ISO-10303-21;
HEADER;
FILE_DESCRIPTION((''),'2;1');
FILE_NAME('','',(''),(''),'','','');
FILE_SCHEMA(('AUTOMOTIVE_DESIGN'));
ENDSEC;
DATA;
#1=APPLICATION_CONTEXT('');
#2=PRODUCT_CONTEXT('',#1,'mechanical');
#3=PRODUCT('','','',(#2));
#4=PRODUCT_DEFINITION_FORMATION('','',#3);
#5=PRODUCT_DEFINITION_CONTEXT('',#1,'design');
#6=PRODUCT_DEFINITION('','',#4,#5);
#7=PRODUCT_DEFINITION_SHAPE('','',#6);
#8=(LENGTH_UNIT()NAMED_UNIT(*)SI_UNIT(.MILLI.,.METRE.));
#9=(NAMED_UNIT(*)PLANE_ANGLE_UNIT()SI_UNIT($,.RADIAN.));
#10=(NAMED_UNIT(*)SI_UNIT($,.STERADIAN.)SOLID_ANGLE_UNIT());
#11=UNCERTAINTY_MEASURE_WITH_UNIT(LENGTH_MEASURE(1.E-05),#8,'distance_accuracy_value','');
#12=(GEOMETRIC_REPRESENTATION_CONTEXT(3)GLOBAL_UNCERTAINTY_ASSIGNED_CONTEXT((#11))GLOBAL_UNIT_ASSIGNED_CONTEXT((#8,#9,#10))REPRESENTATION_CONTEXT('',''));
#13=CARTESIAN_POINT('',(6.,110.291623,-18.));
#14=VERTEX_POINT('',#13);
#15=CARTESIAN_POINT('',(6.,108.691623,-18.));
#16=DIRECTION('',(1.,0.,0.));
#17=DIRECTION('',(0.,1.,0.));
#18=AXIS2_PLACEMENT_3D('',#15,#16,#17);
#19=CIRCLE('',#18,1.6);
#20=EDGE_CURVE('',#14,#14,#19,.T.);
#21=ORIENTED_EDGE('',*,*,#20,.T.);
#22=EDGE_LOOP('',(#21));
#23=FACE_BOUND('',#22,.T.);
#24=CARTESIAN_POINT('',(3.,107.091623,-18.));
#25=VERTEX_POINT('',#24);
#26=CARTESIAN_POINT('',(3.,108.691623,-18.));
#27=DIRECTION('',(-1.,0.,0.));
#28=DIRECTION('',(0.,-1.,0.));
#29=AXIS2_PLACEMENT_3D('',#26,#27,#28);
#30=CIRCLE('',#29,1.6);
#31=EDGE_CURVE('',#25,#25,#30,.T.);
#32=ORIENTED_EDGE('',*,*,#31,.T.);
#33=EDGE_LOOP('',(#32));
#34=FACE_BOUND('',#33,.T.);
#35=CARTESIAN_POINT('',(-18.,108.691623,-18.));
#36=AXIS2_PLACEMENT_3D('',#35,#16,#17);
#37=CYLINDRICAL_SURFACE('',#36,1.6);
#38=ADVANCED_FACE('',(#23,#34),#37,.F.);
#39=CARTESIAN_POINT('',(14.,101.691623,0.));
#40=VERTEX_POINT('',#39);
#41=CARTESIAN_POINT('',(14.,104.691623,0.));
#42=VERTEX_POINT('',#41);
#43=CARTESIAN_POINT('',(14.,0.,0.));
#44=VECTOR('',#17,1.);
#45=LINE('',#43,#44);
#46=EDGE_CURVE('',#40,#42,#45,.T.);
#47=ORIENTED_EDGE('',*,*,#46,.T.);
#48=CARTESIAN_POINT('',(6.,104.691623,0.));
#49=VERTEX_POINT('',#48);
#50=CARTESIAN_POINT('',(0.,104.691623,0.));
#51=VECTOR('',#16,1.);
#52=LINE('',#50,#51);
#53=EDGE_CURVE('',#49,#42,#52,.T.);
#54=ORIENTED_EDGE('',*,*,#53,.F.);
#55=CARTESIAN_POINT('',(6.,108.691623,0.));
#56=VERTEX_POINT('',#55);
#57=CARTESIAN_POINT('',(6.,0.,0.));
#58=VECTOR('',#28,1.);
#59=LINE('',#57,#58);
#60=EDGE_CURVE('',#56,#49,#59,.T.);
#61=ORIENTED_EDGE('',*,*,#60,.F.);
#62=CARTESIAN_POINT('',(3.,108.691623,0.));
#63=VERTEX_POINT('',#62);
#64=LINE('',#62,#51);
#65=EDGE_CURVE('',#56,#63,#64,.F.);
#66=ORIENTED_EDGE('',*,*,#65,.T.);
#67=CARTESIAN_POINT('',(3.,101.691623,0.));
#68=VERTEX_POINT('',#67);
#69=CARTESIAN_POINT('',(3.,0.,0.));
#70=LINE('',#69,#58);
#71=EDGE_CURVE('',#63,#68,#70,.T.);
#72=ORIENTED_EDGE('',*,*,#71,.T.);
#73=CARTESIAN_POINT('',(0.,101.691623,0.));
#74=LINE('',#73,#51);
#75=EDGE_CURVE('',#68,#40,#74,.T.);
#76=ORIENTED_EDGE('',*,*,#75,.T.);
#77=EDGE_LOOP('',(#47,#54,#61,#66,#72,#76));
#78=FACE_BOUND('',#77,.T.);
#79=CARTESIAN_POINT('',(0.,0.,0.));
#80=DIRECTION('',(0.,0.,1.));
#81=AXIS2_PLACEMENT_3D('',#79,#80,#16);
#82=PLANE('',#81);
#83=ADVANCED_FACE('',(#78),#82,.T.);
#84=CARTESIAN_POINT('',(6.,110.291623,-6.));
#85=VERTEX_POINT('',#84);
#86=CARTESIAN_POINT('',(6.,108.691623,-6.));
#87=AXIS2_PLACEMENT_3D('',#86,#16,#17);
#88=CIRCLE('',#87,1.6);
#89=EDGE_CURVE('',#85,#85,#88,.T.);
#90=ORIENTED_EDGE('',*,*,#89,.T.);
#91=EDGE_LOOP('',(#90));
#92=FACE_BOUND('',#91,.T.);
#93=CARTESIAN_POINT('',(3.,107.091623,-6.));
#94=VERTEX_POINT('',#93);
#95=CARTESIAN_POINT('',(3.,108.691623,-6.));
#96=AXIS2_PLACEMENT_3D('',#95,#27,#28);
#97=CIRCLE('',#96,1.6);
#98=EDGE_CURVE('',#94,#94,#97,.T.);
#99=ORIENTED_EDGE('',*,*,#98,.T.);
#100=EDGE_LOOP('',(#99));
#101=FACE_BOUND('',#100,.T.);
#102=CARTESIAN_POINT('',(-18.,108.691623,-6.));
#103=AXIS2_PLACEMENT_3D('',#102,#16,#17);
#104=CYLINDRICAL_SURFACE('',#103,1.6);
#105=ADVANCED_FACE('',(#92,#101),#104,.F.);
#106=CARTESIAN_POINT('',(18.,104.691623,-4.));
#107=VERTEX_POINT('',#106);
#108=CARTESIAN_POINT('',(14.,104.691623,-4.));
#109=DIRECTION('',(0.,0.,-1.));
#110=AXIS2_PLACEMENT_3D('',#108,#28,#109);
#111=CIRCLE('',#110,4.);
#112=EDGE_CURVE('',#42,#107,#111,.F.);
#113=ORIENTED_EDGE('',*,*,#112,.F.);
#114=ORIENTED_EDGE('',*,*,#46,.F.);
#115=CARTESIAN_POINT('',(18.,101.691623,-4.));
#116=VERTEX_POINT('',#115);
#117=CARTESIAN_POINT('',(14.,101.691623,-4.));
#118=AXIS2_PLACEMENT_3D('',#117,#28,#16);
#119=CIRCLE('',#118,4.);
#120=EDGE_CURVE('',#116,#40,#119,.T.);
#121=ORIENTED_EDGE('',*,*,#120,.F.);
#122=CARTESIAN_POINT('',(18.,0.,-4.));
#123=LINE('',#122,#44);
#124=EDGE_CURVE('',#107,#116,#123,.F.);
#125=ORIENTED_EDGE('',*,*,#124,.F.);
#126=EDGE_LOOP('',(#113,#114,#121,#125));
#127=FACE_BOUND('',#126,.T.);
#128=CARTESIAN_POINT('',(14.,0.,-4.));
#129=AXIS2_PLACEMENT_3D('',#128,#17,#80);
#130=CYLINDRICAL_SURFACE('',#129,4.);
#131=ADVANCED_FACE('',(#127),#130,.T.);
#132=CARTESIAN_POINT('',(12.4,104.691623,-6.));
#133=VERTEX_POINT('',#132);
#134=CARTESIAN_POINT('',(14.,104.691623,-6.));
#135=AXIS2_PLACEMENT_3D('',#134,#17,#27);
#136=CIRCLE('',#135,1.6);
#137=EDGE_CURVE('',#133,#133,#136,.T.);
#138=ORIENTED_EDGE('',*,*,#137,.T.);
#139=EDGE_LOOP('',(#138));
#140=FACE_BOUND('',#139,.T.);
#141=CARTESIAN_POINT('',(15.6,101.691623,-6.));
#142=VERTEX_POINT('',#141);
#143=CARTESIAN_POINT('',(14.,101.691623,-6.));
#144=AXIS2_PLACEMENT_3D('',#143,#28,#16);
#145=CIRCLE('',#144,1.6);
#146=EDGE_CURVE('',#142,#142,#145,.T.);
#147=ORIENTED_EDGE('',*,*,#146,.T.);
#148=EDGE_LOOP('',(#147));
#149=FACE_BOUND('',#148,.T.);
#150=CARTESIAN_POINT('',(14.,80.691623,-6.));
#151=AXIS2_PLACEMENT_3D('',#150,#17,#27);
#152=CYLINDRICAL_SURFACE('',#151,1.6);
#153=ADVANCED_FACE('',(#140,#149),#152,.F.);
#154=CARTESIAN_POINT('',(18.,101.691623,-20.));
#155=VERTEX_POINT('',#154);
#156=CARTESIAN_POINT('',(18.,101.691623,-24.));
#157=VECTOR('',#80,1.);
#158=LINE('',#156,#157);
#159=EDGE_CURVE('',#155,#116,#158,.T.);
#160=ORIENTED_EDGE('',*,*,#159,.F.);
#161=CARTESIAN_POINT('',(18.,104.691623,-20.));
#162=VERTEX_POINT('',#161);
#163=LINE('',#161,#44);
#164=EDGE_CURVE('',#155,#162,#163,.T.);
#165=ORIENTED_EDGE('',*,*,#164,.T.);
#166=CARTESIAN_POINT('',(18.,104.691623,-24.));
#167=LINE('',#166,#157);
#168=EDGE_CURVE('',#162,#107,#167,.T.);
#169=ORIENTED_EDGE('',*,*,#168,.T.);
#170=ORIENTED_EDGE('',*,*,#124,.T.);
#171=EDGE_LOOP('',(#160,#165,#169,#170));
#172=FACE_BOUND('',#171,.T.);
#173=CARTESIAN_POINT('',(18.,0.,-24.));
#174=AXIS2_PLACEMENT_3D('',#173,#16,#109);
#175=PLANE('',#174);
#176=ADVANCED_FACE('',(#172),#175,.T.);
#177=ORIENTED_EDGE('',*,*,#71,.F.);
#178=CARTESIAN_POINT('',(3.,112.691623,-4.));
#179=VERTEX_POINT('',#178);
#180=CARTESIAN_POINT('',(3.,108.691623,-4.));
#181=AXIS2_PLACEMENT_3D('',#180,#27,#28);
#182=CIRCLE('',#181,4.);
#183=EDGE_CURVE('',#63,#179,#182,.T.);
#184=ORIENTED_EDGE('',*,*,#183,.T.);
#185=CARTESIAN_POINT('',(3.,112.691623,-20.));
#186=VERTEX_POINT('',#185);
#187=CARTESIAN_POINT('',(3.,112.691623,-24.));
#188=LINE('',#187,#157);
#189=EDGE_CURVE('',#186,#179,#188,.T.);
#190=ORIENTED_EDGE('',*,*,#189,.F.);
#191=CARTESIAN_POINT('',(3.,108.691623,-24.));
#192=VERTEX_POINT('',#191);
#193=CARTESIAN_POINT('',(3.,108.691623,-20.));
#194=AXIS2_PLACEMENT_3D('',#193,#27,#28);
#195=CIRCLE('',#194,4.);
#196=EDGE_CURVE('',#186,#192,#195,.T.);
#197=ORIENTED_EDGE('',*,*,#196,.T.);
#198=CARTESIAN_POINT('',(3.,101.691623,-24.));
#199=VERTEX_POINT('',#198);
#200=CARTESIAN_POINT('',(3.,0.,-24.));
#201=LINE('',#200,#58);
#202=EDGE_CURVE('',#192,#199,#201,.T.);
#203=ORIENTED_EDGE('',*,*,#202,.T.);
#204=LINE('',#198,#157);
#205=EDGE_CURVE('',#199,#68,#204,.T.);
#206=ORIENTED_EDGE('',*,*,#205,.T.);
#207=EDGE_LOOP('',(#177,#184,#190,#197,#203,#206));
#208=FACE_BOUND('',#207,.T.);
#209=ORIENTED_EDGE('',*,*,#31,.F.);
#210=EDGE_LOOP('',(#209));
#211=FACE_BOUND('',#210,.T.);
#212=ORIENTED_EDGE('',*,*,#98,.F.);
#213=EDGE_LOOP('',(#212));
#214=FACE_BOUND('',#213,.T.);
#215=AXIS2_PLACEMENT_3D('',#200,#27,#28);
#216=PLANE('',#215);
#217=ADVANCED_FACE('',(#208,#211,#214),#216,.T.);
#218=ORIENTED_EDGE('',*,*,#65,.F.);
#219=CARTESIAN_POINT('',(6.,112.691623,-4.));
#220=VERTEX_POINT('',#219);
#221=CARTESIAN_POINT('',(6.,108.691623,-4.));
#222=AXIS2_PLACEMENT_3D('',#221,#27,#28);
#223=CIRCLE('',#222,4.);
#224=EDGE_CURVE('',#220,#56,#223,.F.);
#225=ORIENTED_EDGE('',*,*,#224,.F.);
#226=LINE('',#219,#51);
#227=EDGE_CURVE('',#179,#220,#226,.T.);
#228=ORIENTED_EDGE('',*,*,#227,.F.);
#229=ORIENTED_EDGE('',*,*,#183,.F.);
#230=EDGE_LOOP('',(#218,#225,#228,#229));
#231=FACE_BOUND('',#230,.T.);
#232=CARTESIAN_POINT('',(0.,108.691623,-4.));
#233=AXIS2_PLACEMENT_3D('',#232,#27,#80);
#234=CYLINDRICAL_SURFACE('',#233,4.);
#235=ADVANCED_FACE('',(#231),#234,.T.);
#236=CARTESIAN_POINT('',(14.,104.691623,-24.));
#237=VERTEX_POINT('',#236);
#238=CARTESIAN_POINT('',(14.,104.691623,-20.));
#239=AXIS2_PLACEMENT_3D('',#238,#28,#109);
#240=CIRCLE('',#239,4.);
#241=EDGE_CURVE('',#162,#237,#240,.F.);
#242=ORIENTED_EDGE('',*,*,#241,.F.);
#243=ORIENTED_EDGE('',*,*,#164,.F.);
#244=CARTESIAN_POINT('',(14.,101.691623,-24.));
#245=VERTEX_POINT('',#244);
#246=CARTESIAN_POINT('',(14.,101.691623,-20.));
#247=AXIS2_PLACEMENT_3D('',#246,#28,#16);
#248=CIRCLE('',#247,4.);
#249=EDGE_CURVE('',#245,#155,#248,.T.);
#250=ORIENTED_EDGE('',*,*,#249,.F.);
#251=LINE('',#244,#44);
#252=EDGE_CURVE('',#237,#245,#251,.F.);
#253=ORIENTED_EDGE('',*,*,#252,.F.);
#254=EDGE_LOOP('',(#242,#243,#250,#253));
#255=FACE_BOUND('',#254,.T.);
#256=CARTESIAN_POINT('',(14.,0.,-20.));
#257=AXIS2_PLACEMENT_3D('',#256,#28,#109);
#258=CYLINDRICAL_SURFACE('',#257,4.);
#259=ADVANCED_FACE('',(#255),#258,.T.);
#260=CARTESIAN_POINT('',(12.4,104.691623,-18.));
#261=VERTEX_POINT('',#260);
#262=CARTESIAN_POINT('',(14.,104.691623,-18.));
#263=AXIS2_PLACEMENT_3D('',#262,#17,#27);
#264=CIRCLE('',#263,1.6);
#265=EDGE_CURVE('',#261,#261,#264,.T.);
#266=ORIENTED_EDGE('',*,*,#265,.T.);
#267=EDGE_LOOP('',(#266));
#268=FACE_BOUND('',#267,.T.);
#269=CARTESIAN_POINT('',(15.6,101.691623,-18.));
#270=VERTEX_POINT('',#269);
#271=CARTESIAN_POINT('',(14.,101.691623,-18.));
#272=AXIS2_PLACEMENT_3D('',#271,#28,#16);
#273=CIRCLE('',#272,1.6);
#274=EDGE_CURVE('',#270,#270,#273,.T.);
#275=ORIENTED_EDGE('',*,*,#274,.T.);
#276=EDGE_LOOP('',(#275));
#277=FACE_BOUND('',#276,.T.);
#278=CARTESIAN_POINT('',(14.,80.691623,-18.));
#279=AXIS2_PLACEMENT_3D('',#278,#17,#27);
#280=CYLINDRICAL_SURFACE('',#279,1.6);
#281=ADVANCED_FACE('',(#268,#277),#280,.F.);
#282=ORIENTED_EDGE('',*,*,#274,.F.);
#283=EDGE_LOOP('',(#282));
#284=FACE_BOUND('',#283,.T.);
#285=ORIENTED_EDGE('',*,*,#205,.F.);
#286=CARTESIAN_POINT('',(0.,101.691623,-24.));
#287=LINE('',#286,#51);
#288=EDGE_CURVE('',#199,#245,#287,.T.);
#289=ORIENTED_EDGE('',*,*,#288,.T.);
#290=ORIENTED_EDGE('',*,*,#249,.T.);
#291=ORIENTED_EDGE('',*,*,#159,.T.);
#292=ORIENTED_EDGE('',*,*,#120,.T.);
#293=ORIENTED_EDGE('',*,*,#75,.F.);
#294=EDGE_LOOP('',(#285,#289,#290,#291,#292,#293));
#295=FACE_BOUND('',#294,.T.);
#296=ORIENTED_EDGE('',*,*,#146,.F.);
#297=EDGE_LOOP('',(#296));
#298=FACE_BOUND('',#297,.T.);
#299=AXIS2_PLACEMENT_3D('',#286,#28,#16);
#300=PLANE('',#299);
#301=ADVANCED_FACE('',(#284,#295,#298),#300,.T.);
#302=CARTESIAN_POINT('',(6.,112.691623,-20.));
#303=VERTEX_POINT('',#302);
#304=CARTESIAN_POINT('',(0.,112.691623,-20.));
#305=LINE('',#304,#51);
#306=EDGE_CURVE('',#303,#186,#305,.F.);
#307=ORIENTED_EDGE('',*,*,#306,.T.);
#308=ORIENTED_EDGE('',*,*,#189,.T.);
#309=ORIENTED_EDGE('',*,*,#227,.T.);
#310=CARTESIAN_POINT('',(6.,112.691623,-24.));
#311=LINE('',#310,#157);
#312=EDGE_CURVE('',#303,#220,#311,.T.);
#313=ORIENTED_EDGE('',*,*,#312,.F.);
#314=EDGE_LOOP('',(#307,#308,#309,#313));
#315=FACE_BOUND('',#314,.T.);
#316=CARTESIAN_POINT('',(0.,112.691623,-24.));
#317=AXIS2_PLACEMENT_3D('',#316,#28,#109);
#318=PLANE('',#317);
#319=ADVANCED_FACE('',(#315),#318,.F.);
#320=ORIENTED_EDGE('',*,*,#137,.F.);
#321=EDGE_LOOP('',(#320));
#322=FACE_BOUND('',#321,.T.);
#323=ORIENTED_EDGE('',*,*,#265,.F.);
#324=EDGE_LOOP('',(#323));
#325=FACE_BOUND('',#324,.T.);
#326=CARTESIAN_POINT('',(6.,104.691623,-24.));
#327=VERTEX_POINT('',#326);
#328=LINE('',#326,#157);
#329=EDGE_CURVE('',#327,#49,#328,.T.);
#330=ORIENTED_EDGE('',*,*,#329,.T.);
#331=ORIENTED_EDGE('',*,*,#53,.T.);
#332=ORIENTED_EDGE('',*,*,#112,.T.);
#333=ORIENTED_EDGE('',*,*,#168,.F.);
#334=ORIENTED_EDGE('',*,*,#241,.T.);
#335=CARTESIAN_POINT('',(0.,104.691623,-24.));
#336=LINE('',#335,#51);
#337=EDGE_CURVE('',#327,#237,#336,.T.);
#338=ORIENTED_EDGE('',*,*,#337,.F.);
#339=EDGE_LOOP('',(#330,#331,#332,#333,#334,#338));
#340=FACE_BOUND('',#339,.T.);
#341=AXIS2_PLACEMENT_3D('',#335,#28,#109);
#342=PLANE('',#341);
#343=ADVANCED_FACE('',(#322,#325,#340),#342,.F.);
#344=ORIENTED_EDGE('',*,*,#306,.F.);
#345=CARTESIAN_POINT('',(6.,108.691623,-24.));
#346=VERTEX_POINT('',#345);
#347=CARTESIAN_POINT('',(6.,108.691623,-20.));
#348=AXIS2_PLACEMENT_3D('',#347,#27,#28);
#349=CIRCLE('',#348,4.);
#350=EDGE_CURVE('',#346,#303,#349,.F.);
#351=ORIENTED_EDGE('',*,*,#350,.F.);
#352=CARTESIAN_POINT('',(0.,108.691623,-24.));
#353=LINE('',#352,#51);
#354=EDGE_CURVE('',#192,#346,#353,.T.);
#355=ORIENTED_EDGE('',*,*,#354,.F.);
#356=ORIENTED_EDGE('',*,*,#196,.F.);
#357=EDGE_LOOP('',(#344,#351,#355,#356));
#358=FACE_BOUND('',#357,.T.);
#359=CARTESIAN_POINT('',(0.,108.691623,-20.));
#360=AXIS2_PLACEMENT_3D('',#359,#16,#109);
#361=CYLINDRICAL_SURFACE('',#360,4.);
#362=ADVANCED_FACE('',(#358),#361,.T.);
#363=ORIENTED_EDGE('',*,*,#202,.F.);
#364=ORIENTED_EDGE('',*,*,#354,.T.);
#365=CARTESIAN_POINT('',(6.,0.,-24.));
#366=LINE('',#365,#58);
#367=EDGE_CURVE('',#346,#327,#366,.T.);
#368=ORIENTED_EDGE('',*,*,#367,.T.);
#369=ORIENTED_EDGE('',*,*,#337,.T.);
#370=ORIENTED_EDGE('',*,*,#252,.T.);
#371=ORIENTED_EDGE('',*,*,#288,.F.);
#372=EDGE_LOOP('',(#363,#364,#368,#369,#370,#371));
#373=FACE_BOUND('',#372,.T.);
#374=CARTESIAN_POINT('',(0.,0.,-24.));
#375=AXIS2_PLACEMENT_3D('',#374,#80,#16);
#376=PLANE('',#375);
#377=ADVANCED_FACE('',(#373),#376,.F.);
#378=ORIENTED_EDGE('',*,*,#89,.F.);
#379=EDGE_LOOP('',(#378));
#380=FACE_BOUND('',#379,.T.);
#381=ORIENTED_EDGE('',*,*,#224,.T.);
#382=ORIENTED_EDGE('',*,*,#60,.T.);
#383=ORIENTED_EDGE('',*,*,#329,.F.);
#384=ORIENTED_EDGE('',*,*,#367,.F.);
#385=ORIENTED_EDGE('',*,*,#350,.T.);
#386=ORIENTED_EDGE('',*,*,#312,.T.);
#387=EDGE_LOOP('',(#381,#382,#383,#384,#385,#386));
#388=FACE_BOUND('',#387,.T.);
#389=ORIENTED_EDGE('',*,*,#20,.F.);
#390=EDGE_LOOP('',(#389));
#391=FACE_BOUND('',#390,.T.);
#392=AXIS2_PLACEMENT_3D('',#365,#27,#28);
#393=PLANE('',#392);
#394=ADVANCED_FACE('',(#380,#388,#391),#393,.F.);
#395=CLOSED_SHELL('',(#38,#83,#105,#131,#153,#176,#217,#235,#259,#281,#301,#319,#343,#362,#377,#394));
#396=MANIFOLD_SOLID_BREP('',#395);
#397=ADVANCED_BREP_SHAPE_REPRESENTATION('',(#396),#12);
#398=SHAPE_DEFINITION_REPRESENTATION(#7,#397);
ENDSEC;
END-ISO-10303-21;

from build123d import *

# Parameters (mm, degrees)
EXTRUDE_1_DEPTH     = 24
SKETCH_2_R          = 1.6
CUT_EXTRUDE_1_DEPTH = 24
SKETCH_3_R          = 1.6
CUT_EXTRUDE_2_DEPTH = 24
FILLET_1_R          = 4


with BuildPart() as part:
    # 草图1 → 凸台-拉伸1 (new body)
    with BuildSketch(Plane.XY):
        Polygon((6, 112.691622655), (3, 112.691622655), (3, 101.691622655), (18, 101.691622655), (18, 104.691622655), (6, 104.691622655), align=None)
    extrude(amount=-EXTRUDE_1_DEPTH)

    # 草图2 → 切除-拉伸1 (cut)
    with BuildSketch(Plane(origin=(6, 0, 0), x_dir=(0, 0, -1), z_dir=(1, 0, 0))):
        with Locations(Location((6, 108.691622655, 0), (0, 0, 90))):
            Circle(SKETCH_2_R)
        with Locations(Location((18, 108.691622655, 0), (0, 0, 90))):
            Circle(SKETCH_2_R)
    extrude(amount=-CUT_EXTRUDE_1_DEPTH, mode=Mode.SUBTRACT)

    # 草图3 → 切除-拉伸2 (cut)
    with BuildSketch(Plane(origin=(0, 104.691622655, 0), x_dir=(1, 0, 0), z_dir=(0, 1, 0))):
        with Locations(Location((14, 6, 0), (0, 0, 180))):
            Circle(SKETCH_3_R)
        with Locations(Location((14, 18, 0), (0, 0, 180))):
            Circle(SKETCH_3_R)
    extrude(amount=-CUT_EXTRUDE_2_DEPTH, mode=Mode.SUBTRACT)

    # 圆角1
    fillet_1_edges = [part.edges().sort_by_distance(p)[0] for p in [
        (4.5, 112.691622655, -24),
        (4.5, 112.691622655, 0),
        (18, 103.191622655, -24),
        (18, 103.191622655, 0),
    ]]
    fillet(fillet_1_edges, radius=FILLET_1_R)


solid = part.part
